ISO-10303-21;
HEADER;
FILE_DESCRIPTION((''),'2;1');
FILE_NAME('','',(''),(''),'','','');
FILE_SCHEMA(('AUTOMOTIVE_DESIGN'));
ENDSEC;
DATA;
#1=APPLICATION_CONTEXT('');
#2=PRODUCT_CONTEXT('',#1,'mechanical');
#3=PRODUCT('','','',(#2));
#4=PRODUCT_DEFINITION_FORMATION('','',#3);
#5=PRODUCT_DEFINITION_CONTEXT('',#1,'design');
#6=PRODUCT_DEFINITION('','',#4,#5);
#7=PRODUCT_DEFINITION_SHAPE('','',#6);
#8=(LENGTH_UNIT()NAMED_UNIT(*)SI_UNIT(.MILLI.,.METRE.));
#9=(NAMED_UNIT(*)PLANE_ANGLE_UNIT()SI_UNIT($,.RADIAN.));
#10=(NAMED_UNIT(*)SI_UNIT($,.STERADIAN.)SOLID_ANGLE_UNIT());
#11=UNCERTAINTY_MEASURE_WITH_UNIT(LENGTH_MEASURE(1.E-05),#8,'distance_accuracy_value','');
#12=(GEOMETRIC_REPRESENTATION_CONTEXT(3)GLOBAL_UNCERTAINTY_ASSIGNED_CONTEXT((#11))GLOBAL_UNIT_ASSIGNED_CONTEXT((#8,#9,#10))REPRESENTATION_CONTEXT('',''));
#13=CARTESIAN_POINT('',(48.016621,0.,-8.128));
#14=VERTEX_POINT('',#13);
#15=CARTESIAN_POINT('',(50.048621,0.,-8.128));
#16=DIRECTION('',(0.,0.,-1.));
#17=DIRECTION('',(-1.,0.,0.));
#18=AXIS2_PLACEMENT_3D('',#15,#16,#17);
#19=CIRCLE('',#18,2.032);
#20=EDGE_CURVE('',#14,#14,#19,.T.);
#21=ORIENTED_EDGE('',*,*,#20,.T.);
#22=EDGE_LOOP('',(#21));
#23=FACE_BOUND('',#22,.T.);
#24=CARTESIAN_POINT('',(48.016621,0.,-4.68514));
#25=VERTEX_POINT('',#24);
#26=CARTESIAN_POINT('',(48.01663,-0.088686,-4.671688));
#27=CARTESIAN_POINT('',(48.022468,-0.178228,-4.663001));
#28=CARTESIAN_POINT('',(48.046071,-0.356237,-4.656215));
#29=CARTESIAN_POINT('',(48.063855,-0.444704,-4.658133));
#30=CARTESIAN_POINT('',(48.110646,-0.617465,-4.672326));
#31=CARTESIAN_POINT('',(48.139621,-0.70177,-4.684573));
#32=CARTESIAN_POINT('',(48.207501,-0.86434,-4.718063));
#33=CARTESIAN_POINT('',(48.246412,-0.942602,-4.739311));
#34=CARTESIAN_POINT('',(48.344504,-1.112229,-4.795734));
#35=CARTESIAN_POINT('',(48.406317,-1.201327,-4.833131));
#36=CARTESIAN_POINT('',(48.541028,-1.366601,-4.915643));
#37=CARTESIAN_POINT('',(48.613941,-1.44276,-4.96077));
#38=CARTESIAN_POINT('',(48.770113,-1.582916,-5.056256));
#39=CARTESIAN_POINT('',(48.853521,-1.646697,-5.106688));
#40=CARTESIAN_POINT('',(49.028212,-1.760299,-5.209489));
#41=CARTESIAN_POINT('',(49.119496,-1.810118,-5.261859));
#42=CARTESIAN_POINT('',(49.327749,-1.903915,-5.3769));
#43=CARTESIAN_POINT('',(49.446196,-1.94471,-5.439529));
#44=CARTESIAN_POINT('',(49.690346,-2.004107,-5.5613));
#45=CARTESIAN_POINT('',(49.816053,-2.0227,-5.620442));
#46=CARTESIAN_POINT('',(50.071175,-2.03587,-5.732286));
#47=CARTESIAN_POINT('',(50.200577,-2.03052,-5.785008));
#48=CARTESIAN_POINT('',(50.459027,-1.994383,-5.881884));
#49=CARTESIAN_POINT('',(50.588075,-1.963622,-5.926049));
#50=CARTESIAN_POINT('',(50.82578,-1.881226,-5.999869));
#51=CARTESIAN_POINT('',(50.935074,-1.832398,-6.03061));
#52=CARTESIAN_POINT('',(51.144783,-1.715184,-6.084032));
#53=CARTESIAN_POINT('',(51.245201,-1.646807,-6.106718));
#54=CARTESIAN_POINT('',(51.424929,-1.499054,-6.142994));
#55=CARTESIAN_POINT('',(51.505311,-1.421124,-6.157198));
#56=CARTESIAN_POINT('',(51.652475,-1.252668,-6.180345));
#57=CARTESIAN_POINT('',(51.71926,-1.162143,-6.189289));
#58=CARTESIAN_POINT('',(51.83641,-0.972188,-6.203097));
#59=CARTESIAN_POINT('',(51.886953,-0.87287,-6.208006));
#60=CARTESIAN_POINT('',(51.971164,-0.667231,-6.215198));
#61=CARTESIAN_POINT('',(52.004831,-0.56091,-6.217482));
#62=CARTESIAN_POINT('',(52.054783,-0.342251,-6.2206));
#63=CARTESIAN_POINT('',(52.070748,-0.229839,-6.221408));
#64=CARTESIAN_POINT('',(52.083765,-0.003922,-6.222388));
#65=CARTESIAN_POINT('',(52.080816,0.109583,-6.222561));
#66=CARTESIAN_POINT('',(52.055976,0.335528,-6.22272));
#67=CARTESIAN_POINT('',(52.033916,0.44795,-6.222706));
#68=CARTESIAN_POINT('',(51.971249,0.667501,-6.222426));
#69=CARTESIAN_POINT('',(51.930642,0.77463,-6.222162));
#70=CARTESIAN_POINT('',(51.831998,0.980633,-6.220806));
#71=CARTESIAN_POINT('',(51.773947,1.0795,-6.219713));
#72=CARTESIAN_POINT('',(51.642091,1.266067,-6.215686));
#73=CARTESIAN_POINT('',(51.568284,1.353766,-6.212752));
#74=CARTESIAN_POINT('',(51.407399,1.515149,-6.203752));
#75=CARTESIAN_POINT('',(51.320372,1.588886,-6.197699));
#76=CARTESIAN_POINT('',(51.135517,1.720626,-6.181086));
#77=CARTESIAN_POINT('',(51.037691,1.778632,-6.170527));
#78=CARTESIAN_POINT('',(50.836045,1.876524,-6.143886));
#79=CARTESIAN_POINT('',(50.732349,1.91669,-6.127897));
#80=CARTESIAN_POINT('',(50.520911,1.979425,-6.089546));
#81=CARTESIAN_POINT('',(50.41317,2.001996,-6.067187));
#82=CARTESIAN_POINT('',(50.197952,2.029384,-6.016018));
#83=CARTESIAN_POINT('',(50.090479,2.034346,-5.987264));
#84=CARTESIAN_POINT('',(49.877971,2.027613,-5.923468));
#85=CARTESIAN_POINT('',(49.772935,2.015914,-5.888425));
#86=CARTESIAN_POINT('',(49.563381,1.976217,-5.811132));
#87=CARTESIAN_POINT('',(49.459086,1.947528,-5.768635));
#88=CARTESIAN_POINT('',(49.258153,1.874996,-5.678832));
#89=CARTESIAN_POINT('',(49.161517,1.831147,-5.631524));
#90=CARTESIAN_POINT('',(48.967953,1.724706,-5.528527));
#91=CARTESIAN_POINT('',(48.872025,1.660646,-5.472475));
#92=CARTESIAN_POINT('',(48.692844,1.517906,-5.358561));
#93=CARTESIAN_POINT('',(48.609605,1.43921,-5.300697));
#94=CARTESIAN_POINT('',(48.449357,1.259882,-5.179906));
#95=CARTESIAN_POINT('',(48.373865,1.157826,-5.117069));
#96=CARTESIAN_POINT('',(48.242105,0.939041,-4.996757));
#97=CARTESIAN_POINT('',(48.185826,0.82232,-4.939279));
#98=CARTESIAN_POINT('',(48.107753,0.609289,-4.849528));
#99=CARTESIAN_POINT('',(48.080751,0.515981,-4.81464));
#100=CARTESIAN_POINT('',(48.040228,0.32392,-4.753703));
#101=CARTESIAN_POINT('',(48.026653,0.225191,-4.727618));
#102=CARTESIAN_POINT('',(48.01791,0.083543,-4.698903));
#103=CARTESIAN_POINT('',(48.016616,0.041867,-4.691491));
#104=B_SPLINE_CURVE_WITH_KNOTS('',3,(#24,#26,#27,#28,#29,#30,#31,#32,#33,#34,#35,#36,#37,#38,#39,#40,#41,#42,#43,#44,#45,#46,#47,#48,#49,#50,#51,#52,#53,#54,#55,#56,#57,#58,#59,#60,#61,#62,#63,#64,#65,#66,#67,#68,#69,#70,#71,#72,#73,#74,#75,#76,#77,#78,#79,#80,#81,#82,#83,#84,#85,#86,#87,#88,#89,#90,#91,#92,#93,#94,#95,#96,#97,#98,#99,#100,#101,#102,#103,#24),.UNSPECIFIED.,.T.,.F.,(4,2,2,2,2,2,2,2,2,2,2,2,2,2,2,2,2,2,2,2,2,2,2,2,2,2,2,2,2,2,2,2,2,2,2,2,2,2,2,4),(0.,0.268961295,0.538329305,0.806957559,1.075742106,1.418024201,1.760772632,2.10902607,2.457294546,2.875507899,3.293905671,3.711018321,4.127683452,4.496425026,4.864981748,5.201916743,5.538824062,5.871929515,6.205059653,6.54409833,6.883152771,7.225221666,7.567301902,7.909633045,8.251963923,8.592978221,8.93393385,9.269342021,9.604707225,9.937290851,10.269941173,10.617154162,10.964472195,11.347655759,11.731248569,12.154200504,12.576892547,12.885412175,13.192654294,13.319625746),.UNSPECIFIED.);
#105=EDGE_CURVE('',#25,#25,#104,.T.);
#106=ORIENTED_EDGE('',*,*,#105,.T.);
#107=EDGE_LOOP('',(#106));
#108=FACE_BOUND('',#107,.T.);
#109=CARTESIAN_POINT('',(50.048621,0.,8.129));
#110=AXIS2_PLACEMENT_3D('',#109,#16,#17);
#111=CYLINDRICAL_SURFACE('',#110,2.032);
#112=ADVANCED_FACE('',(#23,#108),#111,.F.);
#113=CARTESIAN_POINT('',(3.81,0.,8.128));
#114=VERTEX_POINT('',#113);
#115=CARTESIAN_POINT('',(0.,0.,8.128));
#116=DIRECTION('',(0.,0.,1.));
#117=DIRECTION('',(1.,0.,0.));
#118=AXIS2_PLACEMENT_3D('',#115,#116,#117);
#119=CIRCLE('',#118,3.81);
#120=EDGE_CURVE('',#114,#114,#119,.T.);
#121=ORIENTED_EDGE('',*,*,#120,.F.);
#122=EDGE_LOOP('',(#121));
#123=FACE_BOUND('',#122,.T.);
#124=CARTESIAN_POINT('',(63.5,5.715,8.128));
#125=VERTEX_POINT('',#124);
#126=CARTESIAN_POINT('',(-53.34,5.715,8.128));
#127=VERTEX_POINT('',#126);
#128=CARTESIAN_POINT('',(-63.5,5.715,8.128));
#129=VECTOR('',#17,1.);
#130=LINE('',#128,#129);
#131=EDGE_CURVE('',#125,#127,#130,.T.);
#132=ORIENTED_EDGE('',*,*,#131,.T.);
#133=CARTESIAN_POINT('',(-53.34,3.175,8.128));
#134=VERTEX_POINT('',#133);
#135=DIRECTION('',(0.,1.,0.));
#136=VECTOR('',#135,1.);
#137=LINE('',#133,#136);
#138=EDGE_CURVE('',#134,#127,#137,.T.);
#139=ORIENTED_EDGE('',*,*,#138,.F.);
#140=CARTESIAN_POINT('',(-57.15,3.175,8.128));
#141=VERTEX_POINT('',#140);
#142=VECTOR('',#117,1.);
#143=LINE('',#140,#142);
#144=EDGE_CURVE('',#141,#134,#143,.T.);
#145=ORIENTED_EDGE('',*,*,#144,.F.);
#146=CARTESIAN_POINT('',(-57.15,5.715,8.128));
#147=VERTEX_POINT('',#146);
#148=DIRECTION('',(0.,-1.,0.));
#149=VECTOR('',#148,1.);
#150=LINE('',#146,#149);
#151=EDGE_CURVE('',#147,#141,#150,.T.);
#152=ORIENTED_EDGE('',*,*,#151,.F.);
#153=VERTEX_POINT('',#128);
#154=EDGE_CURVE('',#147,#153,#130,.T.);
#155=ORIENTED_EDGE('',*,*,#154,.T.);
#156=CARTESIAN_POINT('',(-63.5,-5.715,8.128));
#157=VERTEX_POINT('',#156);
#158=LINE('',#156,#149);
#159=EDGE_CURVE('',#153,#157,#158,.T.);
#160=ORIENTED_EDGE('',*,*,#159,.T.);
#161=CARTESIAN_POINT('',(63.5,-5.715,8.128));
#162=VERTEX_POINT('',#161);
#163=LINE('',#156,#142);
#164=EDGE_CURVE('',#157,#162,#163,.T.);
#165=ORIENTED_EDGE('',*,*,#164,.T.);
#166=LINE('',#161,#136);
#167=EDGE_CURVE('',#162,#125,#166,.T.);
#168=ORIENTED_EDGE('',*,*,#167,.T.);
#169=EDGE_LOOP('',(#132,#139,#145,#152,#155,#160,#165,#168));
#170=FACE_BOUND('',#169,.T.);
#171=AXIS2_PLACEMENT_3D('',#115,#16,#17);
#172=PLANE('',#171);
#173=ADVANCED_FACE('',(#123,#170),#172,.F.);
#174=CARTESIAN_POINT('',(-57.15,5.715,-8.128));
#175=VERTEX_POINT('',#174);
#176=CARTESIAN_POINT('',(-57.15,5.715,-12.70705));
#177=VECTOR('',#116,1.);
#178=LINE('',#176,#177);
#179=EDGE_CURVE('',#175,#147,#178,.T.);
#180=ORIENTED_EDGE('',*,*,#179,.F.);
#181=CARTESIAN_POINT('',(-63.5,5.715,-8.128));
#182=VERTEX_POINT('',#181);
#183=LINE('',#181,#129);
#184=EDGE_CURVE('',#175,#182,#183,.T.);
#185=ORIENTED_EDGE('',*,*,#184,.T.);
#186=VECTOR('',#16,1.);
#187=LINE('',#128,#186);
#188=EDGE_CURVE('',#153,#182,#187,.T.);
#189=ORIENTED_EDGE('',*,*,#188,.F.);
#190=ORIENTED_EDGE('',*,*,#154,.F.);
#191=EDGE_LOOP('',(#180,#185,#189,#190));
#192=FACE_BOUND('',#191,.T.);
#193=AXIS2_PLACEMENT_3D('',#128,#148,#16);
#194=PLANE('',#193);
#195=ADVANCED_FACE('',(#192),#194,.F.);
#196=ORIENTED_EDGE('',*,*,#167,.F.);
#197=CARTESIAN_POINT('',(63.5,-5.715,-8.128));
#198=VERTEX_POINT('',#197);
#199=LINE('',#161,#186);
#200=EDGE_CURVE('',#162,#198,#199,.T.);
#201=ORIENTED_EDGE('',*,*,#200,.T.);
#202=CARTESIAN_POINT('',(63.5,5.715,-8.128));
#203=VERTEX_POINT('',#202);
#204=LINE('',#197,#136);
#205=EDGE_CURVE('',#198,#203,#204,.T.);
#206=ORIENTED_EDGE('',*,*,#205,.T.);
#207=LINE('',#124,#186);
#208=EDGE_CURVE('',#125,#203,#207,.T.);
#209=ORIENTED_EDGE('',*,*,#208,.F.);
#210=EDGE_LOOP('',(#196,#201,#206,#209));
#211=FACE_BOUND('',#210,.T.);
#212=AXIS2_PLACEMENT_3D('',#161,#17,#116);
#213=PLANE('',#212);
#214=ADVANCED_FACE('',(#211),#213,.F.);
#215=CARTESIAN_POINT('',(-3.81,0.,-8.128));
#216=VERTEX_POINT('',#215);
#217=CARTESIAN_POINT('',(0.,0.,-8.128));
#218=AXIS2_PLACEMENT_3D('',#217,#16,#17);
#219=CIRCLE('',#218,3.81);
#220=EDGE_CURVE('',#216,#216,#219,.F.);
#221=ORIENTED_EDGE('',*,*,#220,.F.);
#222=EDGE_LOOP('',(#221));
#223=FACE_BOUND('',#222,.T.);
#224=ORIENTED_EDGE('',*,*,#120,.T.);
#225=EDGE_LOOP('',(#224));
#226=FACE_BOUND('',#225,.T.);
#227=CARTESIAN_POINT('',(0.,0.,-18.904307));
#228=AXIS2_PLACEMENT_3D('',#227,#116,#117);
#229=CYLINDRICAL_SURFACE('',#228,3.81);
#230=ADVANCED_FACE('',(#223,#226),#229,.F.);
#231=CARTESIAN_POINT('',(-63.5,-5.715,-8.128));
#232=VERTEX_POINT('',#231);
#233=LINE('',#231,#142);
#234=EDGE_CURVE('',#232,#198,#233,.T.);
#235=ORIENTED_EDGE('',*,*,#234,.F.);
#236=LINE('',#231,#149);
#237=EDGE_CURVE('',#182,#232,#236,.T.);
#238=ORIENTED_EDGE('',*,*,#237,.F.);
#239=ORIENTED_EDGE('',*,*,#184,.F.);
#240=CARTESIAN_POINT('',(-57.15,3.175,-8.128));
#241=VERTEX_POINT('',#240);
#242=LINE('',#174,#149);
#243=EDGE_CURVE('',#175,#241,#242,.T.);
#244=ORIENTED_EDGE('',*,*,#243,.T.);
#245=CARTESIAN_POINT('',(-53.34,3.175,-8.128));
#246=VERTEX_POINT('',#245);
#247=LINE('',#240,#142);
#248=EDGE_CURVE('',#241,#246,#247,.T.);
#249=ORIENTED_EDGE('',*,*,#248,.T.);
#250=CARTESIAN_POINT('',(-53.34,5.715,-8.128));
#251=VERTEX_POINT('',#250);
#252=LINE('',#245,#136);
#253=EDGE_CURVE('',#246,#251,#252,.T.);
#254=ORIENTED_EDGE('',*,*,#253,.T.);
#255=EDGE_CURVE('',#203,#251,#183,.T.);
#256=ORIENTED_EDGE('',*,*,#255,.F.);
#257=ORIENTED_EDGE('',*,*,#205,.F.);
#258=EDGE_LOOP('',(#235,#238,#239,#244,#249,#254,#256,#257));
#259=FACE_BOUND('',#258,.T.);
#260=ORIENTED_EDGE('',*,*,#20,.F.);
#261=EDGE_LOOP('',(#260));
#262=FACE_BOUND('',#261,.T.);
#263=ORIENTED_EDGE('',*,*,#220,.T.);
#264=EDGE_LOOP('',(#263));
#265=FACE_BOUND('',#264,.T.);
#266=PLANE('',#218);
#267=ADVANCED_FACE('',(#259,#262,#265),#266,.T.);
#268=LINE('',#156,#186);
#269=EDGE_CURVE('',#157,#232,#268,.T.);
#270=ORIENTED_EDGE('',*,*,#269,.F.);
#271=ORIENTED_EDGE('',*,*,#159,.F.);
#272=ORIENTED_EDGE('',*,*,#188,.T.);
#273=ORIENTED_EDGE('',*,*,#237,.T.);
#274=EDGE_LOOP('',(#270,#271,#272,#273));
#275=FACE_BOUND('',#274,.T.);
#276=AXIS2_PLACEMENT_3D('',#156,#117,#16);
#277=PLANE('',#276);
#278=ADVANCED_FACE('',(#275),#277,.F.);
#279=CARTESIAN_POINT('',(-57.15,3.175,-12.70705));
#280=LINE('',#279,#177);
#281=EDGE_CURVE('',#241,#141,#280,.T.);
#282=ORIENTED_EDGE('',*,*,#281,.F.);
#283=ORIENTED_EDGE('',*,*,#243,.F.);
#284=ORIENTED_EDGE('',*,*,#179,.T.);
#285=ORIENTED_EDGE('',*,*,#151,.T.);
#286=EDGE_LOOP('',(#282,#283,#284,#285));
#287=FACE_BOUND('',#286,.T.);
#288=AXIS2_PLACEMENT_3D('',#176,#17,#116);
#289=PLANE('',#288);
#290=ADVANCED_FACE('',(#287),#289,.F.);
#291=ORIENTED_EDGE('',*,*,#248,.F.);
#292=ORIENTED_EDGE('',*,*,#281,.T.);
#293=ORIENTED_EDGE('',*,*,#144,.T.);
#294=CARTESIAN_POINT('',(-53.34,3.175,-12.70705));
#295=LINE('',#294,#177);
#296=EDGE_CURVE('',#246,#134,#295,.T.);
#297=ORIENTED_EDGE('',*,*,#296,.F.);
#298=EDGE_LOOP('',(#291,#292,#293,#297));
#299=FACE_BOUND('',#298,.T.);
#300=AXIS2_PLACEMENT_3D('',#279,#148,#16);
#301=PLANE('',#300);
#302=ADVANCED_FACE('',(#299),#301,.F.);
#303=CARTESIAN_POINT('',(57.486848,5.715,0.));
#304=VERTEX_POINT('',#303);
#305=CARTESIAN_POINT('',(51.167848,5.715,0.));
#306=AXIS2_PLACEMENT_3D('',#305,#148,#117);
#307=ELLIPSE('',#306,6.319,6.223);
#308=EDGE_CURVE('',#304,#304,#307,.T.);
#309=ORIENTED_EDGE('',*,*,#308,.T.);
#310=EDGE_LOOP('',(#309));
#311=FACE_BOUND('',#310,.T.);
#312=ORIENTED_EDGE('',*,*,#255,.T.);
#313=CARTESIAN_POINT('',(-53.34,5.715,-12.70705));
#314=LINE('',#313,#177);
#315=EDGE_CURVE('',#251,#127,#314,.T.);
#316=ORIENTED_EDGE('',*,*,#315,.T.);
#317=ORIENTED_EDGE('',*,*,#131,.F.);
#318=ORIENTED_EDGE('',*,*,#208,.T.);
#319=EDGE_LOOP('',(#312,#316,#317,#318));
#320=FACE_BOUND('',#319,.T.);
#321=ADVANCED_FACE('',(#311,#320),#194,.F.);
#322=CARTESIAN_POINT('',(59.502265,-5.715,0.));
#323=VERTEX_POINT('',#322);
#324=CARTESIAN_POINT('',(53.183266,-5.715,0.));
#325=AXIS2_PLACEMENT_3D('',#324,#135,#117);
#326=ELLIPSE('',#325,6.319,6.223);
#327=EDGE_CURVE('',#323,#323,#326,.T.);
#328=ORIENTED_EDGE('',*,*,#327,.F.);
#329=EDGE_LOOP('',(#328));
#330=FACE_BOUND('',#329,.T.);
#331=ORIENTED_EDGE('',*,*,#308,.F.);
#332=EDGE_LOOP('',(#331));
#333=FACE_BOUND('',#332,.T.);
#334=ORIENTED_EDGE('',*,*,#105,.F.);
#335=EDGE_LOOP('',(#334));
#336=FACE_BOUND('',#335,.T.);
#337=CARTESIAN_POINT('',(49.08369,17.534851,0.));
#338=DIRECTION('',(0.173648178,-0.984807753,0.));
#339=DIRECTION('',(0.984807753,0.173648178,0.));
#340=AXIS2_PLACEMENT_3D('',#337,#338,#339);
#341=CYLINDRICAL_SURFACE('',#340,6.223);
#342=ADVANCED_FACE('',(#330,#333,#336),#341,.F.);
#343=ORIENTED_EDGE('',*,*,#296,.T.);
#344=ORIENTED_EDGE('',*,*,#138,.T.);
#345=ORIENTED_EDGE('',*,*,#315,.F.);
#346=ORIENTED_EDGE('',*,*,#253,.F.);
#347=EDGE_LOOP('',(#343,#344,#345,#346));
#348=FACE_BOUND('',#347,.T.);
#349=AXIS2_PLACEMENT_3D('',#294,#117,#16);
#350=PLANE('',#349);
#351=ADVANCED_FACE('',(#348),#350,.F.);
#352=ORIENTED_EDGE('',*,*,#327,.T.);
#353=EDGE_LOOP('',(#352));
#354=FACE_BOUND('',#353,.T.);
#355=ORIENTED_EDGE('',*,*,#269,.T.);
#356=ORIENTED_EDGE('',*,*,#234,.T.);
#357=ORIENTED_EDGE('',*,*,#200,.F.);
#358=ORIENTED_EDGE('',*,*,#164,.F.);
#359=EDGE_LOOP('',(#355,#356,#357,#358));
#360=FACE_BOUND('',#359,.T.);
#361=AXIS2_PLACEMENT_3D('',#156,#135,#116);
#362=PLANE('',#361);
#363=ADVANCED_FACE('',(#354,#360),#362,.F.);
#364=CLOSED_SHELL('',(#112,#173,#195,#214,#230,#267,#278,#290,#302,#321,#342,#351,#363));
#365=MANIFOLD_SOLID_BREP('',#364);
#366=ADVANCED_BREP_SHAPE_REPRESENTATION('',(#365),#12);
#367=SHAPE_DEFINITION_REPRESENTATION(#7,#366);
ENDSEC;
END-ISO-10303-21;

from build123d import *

# Parameters (mm, degrees)
SKETCH1_W           = 127
SKETCH1_H           = 11.43
BOSS_EXTRUDE1_DEPTH = 8.128
SKETCH6_W           = 3.81
SKETCH6_H           = 2.54
CUT_EXTRUDE1_DEPTH  = 16.256
SKETCH12_R          = 3.81
CUT_EXTRUDE2_DEPTH  = 16.256
SKETCH14_R          = 6.223
CUT_EXTRUDE3_DEPTH  = 25.4
CUT_EXTRUDE4_REACH  = 18.256
SKETCH17_R          = 2.032


with BuildPart() as part:
    # Sketch1 → Boss-Extrude1 (new body, symmetric)
    with BuildSketch(Plane.XY):
        Rectangle(SKETCH1_W, SKETCH1_H)
    extrude(amount=BOSS_EXTRUDE1_DEPTH, both=True)

    # Sketch6 → Cut-Extrude1 (cut)
    with BuildSketch(Plane.XY.offset(8.128)):
        with Locations((-55.245, 4.445)):
            Rectangle(SKETCH6_W, SKETCH6_H)
    extrude(amount=-CUT_EXTRUDE1_DEPTH, mode=Mode.SUBTRACT)

    # Sketch12 → Cut-Extrude2 (cut)
    with BuildSketch(Plane.XY.offset(8.128)):
        Circle(SKETCH12_R)
    extrude(amount=-CUT_EXTRUDE2_DEPTH, mode=Mode.SUBTRACT)

    # Sketch14 → Cut-Extrude3 (cut)
    with BuildSketch(Plane(origin=(2.89208185, -16.401811214, 0), x_dir=(0, 0, -1), z_dir=(0.173648178, -0.984807753, 0))):
        with Locations((0, 51.382892981)):
            Circle(SKETCH14_R)
    extrude(amount=-CUT_EXTRUDE3_DEPTH, mode=Mode.SUBTRACT)

    # Sketch17 → Cut-Extrude4 (cut, up to next)
    with BuildSketch(Plane(origin=(0, 0, -8.128), x_dir=(-1, 0, 0), z_dir=(0, 0, -1)), mode=Mode.PRIVATE) as cut_extrude4_sk1:
        with Locations((-50.048620668, 0)):
            Circle(SKETCH17_R)
    cut_extrude4_tool1 = extrude(cut_extrude4_sk1.sketch, amount=-CUT_EXTRUDE4_REACH, mode=Mode.PRIVATE) & part.part
    add(cut_extrude4_tool1.solids().sort_by_distance((50.048621, 0, -8.128))[0], mode=Mode.SUBTRACT)


solid = part.part
